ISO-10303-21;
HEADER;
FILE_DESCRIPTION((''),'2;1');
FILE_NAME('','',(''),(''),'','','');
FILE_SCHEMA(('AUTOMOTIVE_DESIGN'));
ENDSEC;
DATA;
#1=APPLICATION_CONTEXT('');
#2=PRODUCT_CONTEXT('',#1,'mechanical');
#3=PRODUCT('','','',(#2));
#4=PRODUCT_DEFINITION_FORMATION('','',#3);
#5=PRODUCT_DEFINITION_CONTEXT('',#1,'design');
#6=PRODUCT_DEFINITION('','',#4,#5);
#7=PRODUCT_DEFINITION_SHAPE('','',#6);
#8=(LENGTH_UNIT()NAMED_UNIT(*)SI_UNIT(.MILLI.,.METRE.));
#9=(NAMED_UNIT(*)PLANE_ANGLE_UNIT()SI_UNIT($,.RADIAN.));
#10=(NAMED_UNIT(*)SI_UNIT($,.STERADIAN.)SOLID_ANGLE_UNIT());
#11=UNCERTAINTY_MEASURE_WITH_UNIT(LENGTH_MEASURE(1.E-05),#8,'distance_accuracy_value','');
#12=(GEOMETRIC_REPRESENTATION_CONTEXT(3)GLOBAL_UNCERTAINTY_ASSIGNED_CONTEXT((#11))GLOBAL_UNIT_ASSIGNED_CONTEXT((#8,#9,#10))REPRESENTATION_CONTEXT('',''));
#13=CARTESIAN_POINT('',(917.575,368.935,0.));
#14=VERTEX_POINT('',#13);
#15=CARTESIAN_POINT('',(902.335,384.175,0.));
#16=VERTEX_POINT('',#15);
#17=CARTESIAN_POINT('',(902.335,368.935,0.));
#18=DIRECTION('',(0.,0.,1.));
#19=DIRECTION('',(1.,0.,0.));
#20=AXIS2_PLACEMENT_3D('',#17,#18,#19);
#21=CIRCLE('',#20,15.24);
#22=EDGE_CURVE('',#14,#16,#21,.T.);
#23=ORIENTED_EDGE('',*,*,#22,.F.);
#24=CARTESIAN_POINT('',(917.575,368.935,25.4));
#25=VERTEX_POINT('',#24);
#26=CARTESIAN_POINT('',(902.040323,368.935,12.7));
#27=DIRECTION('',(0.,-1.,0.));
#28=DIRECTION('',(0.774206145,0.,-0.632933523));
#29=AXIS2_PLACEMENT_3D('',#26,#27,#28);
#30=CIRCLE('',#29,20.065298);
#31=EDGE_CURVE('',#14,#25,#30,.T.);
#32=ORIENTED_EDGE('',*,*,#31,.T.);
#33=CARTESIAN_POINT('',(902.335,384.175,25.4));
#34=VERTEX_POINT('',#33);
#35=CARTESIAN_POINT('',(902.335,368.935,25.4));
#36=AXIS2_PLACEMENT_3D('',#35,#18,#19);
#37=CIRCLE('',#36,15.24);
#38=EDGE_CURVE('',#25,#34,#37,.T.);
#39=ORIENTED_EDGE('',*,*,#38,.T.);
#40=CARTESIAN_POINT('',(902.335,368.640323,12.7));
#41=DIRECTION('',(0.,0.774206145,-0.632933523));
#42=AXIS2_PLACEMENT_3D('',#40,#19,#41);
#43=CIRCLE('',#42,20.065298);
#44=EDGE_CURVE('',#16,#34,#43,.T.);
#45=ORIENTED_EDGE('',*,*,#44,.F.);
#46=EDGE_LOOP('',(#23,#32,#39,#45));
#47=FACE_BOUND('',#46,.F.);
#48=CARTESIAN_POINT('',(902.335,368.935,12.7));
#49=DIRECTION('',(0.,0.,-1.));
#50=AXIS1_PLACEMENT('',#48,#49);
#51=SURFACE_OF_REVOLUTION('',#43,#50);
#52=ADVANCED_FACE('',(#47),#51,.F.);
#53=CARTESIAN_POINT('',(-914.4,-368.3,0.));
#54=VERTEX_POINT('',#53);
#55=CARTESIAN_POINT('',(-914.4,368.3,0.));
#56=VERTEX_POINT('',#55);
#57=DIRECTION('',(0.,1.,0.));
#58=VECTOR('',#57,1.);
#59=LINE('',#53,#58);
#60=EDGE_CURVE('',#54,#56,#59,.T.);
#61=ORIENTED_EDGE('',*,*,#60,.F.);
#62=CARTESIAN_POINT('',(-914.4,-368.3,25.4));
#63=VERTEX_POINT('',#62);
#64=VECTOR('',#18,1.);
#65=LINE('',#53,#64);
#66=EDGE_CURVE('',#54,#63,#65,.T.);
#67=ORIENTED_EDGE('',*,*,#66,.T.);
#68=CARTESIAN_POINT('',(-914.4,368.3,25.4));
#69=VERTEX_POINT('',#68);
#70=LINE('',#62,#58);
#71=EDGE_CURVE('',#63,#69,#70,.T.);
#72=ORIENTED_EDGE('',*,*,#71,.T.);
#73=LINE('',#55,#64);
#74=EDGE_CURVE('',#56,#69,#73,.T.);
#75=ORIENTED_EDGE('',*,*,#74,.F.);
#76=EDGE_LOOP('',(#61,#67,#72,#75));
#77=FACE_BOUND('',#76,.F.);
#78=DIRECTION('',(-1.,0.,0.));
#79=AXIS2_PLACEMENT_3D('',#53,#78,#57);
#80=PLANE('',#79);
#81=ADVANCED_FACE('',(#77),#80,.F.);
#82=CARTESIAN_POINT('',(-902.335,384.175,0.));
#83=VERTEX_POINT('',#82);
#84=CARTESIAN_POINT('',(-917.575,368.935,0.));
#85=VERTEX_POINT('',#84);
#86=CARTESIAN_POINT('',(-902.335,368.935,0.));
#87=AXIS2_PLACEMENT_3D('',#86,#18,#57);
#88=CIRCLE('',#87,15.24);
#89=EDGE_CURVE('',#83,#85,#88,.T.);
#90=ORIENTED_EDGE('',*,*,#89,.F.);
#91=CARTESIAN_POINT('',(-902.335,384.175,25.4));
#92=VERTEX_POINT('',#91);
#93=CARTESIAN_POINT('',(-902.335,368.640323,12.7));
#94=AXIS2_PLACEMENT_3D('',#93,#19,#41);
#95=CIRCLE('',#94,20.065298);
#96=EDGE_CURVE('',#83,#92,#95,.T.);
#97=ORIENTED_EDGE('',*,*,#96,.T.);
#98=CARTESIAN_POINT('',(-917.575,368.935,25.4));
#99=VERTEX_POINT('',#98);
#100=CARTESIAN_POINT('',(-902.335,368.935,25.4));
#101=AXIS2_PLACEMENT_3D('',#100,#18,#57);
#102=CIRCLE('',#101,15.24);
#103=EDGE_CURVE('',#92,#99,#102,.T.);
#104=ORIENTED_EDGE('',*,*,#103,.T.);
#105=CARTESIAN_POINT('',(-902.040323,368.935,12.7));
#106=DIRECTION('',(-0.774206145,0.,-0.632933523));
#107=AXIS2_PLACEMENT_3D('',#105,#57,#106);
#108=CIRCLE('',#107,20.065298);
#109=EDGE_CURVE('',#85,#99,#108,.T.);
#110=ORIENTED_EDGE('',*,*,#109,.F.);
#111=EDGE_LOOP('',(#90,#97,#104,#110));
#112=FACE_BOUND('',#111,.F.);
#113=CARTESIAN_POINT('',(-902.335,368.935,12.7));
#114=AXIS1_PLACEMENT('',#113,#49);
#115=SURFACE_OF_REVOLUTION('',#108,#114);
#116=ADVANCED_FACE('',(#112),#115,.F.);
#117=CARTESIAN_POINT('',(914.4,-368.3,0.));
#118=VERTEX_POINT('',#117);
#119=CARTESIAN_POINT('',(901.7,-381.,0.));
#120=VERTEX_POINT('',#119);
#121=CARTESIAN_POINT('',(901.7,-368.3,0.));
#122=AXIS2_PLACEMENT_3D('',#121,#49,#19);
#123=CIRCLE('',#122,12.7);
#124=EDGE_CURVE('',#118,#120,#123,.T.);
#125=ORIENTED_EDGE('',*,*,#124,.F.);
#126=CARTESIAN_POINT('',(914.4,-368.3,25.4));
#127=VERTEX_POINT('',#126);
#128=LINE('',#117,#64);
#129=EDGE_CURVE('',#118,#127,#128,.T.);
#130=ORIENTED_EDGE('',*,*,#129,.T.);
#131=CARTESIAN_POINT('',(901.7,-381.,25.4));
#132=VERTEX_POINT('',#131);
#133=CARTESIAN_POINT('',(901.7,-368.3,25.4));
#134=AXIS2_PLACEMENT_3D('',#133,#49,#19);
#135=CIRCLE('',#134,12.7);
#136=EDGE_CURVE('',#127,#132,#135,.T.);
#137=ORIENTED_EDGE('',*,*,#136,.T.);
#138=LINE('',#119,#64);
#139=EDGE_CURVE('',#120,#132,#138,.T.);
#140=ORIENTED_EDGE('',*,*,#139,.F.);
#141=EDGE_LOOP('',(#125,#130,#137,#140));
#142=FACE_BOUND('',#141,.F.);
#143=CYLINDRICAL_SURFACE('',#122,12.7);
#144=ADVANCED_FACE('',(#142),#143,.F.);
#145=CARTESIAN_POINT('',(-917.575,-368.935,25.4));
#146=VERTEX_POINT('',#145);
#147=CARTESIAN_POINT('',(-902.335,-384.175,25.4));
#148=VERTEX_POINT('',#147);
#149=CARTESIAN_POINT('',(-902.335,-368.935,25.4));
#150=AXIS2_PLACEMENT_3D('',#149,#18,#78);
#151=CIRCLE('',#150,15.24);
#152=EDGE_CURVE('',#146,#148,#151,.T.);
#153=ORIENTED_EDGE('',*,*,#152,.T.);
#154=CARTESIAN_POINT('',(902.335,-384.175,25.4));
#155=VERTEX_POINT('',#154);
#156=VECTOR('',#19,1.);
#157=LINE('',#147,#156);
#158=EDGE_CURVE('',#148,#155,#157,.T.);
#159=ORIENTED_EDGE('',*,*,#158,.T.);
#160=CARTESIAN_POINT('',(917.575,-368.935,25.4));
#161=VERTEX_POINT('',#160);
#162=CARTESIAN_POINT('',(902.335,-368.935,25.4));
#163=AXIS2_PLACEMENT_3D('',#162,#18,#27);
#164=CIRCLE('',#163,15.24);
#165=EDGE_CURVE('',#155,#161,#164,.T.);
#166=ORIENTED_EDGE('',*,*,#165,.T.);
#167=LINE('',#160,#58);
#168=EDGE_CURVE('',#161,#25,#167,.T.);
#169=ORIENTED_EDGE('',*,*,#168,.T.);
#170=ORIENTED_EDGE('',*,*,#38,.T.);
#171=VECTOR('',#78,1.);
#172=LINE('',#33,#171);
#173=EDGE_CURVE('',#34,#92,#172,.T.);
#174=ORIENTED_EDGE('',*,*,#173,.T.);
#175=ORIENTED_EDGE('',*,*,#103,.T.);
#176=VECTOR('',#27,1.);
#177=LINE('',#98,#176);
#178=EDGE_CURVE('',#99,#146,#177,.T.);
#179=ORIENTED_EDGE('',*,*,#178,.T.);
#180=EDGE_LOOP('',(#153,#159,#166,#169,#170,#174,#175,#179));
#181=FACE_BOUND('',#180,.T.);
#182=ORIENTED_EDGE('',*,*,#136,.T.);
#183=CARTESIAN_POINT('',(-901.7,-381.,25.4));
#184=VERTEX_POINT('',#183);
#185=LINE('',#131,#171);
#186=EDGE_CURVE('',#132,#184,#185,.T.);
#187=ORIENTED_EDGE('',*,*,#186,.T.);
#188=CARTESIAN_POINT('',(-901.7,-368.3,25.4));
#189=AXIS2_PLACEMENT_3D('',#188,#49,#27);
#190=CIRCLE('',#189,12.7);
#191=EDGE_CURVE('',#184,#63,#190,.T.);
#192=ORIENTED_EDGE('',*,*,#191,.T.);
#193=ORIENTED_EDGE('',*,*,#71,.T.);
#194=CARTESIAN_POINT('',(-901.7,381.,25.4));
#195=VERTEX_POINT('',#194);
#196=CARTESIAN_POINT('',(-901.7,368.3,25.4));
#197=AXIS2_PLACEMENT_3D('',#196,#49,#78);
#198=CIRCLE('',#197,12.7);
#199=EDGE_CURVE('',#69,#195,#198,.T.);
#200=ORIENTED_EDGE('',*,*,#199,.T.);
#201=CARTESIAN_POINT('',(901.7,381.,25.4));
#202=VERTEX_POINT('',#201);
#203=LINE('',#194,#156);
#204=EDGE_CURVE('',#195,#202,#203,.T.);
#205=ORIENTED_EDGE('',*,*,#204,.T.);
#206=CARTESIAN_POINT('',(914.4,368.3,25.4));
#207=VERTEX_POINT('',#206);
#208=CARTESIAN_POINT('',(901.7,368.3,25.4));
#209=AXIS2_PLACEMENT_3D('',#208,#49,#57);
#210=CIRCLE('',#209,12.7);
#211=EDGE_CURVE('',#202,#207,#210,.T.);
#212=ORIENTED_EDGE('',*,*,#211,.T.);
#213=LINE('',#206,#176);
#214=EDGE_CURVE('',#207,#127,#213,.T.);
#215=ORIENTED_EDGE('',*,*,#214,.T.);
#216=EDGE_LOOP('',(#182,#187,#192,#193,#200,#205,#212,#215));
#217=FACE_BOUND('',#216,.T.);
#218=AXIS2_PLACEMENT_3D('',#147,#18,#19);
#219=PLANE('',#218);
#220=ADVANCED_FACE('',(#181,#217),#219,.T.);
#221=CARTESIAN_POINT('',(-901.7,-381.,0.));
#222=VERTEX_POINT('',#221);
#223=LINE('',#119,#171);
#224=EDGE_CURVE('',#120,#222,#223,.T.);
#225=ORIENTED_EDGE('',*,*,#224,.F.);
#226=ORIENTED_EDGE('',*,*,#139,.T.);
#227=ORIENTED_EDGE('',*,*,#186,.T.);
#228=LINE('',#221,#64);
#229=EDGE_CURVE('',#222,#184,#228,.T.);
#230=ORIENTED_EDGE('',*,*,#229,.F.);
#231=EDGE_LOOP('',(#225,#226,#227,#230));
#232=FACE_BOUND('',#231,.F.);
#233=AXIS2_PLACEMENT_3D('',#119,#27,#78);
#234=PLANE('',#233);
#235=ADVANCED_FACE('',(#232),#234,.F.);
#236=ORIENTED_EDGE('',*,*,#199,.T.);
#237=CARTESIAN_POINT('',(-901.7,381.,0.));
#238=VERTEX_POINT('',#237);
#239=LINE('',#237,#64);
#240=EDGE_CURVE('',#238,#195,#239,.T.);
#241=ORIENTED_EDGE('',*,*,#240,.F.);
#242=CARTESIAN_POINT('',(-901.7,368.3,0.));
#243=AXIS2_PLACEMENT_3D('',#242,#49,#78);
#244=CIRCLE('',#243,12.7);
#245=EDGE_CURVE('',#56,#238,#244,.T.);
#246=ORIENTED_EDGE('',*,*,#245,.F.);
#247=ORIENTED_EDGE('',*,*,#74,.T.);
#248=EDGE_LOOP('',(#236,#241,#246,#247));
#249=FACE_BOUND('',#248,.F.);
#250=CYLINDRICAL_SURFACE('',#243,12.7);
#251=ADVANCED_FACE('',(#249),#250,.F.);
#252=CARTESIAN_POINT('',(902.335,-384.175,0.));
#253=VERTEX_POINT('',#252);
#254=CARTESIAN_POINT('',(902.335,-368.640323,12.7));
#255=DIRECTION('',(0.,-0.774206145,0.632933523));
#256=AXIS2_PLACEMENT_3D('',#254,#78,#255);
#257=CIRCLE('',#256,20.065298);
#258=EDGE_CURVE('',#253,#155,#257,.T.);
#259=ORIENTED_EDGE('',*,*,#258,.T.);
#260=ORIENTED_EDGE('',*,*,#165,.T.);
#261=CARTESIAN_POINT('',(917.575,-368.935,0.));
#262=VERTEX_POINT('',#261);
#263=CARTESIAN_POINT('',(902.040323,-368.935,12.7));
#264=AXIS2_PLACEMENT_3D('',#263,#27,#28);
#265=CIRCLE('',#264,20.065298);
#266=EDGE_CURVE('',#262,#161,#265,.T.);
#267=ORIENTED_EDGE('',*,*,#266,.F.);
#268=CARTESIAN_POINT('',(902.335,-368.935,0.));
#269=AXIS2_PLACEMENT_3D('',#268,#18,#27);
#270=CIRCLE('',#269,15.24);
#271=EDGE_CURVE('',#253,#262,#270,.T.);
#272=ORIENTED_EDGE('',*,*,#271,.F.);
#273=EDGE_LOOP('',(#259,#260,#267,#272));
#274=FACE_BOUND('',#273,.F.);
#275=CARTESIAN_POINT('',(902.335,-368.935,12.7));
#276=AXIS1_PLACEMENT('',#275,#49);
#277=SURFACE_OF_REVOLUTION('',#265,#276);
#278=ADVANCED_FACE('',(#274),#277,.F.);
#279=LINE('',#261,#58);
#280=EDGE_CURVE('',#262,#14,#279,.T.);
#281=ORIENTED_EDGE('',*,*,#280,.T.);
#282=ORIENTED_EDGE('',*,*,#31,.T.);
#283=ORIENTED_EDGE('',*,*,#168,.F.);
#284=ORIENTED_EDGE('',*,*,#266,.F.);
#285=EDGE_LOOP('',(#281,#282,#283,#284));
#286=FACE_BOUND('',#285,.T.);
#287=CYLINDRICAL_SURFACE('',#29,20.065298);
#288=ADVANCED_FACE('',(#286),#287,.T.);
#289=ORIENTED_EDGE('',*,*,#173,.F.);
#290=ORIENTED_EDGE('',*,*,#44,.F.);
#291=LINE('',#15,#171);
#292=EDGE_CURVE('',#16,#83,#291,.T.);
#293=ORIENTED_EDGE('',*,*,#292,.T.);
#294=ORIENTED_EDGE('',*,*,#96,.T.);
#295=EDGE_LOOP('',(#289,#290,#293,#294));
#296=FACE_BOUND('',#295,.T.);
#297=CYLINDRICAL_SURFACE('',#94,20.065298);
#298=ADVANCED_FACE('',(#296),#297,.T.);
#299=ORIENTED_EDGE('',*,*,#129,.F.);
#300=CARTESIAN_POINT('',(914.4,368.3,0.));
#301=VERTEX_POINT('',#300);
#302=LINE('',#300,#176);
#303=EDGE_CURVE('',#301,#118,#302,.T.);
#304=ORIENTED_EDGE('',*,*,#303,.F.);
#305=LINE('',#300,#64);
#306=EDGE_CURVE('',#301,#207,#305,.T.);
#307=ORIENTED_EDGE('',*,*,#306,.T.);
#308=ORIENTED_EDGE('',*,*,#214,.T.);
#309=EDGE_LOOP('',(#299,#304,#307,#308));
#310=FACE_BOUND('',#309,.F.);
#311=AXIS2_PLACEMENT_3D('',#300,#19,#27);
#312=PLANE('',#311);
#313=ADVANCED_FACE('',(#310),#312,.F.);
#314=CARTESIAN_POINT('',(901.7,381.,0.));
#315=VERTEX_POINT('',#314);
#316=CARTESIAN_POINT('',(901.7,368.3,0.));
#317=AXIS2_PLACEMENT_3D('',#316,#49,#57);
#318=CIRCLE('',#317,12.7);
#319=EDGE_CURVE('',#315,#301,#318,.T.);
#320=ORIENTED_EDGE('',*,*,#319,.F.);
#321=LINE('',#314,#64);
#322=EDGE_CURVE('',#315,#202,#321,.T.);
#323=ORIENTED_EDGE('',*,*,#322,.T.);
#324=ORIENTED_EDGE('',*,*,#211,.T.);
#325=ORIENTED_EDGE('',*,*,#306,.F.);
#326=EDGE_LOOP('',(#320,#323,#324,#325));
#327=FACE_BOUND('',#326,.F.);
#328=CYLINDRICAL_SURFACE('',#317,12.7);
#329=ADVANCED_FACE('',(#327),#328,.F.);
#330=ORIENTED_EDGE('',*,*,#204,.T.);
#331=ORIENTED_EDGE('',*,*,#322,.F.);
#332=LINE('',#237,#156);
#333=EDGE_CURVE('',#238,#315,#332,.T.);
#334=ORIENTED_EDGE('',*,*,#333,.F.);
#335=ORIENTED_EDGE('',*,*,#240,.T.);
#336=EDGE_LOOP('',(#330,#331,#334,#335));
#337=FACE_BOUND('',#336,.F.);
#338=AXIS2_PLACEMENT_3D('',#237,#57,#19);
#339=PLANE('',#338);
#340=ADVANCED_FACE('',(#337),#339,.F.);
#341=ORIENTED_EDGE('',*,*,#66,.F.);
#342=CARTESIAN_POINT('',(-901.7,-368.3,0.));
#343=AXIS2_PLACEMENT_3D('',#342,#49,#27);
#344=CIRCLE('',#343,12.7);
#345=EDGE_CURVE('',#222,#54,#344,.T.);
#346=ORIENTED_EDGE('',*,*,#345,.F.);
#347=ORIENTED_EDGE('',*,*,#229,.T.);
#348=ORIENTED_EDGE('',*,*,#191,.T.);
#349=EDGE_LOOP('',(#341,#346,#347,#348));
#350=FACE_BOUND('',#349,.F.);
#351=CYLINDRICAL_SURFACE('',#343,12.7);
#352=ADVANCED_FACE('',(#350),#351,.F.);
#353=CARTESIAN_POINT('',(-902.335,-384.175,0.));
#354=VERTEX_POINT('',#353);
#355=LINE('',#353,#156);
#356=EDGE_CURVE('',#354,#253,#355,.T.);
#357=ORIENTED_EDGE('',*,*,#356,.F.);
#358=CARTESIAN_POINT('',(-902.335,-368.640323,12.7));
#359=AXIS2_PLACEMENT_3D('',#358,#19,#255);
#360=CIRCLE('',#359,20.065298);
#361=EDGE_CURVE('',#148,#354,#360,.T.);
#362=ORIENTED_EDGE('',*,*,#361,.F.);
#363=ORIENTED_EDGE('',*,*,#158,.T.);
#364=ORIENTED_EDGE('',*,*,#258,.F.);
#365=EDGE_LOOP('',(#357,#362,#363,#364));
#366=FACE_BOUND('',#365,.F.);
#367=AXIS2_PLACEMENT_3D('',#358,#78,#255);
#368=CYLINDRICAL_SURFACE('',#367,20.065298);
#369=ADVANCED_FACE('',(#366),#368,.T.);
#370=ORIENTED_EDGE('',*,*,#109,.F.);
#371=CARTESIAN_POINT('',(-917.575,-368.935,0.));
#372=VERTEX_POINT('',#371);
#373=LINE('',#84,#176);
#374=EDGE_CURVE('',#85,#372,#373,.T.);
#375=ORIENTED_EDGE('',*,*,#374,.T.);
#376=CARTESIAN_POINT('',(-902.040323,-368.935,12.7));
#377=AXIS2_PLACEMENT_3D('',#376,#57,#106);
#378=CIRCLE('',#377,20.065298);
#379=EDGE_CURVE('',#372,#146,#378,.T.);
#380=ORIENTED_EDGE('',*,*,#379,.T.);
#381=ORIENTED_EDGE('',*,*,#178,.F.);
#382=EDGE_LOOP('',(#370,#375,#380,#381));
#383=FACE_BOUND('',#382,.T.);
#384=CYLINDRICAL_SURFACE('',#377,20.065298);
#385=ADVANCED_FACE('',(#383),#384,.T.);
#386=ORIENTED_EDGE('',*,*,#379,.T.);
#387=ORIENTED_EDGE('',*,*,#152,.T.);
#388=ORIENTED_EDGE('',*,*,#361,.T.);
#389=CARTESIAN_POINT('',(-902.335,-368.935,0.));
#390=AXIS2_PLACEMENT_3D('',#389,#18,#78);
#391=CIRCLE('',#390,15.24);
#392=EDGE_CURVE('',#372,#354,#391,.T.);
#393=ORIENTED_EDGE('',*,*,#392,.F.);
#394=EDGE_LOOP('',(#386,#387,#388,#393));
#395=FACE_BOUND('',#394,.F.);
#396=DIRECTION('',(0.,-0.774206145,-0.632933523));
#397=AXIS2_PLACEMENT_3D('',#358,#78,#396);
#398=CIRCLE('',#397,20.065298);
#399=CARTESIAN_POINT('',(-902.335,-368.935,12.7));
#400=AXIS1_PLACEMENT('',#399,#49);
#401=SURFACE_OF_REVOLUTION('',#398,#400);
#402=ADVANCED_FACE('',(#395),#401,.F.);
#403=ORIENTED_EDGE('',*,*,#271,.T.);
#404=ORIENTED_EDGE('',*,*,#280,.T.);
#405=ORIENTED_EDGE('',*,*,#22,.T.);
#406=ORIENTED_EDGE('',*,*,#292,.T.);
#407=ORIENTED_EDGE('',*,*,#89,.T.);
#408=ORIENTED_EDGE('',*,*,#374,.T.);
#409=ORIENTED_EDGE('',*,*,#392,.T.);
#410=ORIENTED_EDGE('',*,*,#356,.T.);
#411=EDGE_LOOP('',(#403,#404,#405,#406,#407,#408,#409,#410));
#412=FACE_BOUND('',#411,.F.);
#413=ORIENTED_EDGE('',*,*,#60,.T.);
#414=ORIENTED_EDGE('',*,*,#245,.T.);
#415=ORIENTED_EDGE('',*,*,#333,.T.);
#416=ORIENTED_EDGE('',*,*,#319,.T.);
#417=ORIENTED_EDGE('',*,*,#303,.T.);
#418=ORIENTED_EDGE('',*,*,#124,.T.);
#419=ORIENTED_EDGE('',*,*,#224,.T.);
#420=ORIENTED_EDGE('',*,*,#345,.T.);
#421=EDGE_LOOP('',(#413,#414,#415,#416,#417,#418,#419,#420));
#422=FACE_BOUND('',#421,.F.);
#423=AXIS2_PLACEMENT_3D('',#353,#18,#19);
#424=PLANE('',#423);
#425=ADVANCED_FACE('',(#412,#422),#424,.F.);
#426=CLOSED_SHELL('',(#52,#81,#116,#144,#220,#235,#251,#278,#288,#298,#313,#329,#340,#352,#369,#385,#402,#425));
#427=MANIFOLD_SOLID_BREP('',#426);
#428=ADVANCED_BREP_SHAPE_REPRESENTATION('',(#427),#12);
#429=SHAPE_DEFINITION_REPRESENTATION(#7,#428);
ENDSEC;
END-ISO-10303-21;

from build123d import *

# Parameters (mm, degrees)
F1_DEPTH = 25.4
F2_W     = 1804.67
F2_H     = 25.4
F3_DEPTH = 6.35
F5_DEPTH = 2540


with BuildPart() as f1:
    # F0 (on Top) → F1 (new body)
    with BuildSketch(Plane.XY):
        with BuildLine():
            ThreePointArc((917.575, 368.935), (913.1113073453, 379.7113073453), (902.335, 384.175))
            Line((902.335, 384.175), (-902.335, 384.175))
            ThreePointArc((-902.335, 384.175), (-913.1113073453, 379.7113073453), (-917.575, 368.935))
            Line((-917.575, 368.935), (-917.575, -368.935))
            ThreePointArc((-917.575, -368.935), (-913.1113073453, -379.7113073453), (-902.335, -384.175))
            Line((-902.335, -384.175), (902.335, -384.175))
            ThreePointArc((902.335, -384.175), (913.1113073453, -379.7113073453), (917.575, -368.935))
            Line((917.575, -368.935), (917.575, 368.935))
        make_face()
        with BuildLine():
            ThreePointArc((914.4, -368.3), (910.6802561211, -377.2802561211), (901.7, -381))
            Line((901.7, -381), (-901.7, -381))
            ThreePointArc((-901.7, -381), (-910.6802561211, -377.2802561211), (-914.4, -368.3))
            Line((-914.4, -368.3), (-914.4, 368.3))
            ThreePointArc((-914.4, 368.3), (-910.6802561211, 377.2802561211), (-901.7, 381))
            Line((-901.7, 381), (901.7, 381))
            ThreePointArc((901.7, 381), (910.6802561211, 377.2802561211), (914.4, 368.3))
            Line((914.4, 368.3), (914.4, -368.3))
        make_face(mode=Mode.SUBTRACT)
    extrude(amount=F1_DEPTH)

    # F2 (on face) → F3 (join)
    with BuildSketch(Plane.XZ.offset(384.175)):
        with Locations((0, 12.7)):
            Rectangle(F2_W, F2_H)
    extrude(amount=F3_DEPTH)

    # F4 (on face) → F5 (cut)
    with BuildSketch(Plane(origin=(-902.335, 0, 0), x_dir=(0, -1, 0), z_dir=(-1, 0, 0))):
        with BuildLine():
            ThreePointArc((384.175, 25.4), (388.7056210694, 12.7), (384.175, 0))
            Line((384.175, 0), (390.525, 0))
            Line((390.525, 0), (390.525, 25.4))
            Line((390.525, 25.4), (384.175, 25.4))
        make_face()
    extrude(amount=-F5_DEPTH, mode=Mode.SUBTRACT)

    # F6: sweep along a path in F6_path
    with BuildLine(Plane(origin=(-902.335, -384.175, 25.4), x_dir=(0, 1, 0), z_dir=(0, 0, 1))) as f6_path:
        ThreePointArc((0, 0), (4.4636926547, 10.7763073453), (15.24, 15.24))
        Line((15.24, 15.24), (753.11, 15.24))
        ThreePointArc((753.11, 15.24), (763.8863073453, 10.7763073453), (768.35, 0))
        Line((768.35, 0), (768.35, -1804.67))
        ThreePointArc((768.35, -1804.67), (763.8863073453, -1815.4463073453), (753.11, -1819.91))
        Line((753.11, -1819.91), (15.24, -1819.91))
        ThreePointArc((15.24, -1819.91), (4.4636926547, -1815.4463073453), (0, -1804.67))
        Line((0, -1804.67), (0, 0))
    # F3_face (on face) → F6 (sweep)
    with BuildSketch(Plane(origin=(-902.335, -387.35, 12.7), x_dir=(0, -1, 0), z_dir=(-1, 0, 0))):
        with BuildLine():
            Line((-3.175, 12.7), (-3.175, -12.7))
            ThreePointArc((-3.175, -12.7), (1.3556210694, 0), (-3.175, 12.7))
        make_face()
    sweep(path=f6_path.line)


solid = f1.part
